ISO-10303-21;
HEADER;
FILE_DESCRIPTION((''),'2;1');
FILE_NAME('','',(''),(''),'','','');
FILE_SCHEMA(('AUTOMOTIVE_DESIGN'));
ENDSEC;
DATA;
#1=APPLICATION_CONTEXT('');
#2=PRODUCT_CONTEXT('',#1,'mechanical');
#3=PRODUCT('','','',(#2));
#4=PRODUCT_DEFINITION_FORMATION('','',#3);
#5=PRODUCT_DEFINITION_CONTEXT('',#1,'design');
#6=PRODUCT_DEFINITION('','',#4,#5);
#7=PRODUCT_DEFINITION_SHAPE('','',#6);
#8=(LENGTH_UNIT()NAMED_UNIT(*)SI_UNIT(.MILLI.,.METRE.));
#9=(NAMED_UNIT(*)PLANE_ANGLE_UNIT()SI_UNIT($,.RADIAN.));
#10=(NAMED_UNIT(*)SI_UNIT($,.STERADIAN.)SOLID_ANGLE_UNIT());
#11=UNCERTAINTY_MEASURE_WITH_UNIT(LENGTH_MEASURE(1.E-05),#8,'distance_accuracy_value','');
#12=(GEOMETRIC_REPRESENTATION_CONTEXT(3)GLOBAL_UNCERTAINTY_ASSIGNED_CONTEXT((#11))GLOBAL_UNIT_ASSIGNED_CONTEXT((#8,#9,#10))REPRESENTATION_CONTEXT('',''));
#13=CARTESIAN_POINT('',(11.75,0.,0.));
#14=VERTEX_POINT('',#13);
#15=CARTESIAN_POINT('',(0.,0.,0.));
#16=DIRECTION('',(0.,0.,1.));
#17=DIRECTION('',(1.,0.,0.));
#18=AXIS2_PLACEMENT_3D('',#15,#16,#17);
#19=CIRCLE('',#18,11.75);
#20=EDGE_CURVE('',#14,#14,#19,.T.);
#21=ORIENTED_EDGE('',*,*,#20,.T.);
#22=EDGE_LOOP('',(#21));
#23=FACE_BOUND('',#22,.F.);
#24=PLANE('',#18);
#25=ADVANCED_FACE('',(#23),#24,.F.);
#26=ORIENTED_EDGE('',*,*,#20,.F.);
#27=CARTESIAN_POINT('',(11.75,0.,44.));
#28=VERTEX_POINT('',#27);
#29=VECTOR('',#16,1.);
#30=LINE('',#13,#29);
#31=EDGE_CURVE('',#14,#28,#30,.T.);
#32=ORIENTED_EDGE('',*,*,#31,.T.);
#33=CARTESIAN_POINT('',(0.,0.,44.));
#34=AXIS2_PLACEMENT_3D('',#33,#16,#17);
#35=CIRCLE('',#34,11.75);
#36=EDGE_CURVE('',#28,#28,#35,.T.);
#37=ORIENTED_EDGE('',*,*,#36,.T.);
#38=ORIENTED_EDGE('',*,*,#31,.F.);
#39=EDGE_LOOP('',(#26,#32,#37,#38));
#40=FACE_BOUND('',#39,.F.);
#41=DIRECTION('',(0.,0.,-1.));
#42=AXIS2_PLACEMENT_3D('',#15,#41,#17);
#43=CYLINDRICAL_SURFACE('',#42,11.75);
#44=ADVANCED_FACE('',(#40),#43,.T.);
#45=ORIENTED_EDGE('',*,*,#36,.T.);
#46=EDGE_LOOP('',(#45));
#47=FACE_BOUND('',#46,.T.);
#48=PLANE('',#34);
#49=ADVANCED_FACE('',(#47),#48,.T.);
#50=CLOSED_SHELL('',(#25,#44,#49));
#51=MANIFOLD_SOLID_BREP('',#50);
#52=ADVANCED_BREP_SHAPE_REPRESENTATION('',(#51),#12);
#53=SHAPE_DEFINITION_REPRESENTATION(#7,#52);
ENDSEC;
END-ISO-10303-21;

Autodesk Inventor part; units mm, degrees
ref_plane "YZ Plane" through (0, 0, 0) normal (1, 0, 0) x (0, 1, 0)
ref_plane "XZ Plane" through (0, 0, 0) normal (0, 1, 0) x (-1, 0, 0)
ref_plane "XY Plane" through (0, 0, 0) normal (0, 0, 1) x (1, 0, 0)
sketch "Sketch1" plane through (0, 0, 0) normal (0, 0, 1) x (1, 0, 0)
  circle A0 centre (0, 0) radius 11.75
  dimension "d0" = 23.5
extrude "Extrusion1" add sketch "Sketch1" along normal blind 44
properties part number "8011_1uF_Tx_Capacitor_v1" material "Acetal Resin, White"
